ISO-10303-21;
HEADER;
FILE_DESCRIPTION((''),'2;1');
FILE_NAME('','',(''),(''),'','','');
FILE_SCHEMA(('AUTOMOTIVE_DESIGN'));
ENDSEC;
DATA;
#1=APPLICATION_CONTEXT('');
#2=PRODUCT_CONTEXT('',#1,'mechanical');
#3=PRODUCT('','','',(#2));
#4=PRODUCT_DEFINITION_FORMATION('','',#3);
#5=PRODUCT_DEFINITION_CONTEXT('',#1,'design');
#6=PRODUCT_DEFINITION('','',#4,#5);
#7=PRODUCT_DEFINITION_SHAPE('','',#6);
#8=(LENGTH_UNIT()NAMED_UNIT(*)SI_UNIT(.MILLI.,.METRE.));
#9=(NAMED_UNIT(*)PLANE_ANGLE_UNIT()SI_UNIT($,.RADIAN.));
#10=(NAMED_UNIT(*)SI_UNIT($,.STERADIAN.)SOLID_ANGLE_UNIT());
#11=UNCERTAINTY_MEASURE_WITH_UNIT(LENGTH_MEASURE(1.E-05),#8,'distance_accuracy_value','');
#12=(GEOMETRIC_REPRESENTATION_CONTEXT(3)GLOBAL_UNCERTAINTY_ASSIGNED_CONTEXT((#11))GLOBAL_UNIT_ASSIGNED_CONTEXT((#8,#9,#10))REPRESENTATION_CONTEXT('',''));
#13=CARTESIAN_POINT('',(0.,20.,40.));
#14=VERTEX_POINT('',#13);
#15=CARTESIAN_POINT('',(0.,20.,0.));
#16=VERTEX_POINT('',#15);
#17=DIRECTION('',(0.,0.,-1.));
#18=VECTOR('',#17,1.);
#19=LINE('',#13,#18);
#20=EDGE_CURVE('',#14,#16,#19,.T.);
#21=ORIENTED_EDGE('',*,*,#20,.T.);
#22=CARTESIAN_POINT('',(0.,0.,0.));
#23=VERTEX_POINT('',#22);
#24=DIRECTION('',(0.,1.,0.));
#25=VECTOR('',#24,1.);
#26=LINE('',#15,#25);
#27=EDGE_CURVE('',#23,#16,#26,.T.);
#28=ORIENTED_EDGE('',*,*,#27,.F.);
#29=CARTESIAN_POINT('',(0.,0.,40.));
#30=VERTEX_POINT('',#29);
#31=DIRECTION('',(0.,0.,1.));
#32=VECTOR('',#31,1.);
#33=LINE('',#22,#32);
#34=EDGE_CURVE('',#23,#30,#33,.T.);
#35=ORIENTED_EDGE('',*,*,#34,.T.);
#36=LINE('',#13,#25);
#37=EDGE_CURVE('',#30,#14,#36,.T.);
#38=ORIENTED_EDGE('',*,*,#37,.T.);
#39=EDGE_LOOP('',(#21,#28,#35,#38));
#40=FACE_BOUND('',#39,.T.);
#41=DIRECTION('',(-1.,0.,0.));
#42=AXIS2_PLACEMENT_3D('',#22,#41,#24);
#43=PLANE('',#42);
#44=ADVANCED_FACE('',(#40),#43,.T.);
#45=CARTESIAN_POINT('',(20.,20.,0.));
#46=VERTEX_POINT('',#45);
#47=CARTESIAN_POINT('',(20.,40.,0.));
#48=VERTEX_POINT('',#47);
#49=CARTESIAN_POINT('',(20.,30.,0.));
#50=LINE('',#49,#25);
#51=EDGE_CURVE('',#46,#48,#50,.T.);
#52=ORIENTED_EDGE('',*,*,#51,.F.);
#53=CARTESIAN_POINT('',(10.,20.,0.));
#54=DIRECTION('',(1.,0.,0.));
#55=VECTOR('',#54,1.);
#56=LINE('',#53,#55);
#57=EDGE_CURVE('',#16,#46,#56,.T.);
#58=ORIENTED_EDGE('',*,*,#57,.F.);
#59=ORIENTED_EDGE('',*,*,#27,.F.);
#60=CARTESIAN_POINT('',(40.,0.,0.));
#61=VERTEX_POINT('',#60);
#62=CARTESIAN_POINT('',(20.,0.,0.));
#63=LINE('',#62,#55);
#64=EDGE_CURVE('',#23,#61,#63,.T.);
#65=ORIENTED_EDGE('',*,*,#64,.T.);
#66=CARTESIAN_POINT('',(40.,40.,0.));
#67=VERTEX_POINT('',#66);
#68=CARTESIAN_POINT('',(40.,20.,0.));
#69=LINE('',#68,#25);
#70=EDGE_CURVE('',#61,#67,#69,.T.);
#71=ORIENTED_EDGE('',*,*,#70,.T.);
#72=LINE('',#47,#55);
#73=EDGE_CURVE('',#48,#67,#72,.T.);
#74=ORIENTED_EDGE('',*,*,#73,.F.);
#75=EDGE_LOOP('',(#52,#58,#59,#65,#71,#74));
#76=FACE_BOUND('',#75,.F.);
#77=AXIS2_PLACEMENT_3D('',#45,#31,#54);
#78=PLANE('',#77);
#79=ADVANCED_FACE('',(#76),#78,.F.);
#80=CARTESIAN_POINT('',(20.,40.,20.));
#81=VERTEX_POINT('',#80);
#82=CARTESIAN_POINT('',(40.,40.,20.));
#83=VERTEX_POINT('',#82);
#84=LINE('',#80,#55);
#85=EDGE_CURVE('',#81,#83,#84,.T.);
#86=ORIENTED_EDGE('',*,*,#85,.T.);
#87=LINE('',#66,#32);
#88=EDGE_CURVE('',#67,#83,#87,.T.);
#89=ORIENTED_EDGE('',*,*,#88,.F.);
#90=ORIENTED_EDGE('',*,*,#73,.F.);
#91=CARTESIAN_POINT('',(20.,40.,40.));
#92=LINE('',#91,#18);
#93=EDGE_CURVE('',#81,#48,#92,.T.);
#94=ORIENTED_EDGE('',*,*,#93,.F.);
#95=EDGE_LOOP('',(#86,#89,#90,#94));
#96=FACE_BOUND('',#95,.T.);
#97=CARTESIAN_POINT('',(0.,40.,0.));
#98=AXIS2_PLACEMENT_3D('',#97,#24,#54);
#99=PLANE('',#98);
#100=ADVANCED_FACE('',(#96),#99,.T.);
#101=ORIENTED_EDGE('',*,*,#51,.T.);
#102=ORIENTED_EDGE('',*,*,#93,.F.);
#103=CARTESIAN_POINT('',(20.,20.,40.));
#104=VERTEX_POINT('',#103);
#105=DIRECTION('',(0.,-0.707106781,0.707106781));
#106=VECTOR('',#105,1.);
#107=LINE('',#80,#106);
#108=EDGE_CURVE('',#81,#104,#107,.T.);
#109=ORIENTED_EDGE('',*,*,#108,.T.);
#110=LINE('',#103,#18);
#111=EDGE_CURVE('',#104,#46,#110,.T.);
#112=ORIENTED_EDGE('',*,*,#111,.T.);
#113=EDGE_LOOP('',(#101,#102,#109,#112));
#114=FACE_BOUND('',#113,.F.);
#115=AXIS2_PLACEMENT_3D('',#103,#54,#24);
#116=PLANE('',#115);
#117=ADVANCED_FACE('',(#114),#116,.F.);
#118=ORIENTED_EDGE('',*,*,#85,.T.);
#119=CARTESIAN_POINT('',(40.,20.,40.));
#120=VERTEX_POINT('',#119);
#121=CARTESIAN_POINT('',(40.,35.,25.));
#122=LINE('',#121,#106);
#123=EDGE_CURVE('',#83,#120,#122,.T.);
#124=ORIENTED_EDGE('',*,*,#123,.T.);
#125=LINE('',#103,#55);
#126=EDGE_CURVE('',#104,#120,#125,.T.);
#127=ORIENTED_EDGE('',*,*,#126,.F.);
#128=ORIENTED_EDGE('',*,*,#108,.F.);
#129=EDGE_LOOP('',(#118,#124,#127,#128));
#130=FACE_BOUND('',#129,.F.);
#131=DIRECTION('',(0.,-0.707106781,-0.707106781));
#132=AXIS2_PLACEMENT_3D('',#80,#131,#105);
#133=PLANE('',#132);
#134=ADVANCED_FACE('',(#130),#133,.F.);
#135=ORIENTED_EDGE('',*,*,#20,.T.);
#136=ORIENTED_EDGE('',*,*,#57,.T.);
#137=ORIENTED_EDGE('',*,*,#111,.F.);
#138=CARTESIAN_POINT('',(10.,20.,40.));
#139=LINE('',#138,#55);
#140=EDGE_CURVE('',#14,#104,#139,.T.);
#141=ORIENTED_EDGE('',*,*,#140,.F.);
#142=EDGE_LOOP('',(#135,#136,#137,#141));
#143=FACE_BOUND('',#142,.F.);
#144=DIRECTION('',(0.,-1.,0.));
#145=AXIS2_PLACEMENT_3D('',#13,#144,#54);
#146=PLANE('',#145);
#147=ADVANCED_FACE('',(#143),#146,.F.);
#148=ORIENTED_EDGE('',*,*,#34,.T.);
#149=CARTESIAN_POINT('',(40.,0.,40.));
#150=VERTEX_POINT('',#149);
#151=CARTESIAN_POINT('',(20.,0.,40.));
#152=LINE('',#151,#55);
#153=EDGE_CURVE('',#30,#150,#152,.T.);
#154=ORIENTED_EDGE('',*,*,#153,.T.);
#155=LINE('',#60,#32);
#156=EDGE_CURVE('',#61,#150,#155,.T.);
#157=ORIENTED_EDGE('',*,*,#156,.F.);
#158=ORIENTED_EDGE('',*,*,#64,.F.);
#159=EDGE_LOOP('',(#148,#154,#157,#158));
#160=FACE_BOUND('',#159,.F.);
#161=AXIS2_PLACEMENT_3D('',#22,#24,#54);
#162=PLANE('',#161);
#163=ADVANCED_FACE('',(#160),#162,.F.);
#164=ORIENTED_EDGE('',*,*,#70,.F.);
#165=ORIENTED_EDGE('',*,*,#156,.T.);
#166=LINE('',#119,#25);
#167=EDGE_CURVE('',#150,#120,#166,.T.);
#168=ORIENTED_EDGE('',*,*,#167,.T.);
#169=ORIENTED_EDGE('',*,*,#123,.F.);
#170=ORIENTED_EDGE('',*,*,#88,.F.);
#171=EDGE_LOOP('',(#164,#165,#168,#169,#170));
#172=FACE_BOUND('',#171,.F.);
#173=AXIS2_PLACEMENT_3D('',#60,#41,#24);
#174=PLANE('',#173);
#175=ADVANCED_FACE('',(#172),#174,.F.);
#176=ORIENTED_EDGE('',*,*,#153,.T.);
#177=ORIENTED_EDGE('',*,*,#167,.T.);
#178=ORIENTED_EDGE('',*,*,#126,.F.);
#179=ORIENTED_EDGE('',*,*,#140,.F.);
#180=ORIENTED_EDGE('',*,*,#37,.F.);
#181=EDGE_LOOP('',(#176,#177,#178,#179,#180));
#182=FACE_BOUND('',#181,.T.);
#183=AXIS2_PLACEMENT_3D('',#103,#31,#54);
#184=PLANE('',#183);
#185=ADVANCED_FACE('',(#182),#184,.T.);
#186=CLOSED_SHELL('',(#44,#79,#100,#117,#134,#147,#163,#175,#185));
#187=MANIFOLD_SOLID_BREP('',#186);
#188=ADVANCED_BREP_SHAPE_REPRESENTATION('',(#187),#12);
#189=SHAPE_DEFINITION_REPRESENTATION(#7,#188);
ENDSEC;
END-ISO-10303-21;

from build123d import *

# Parameters (mm, degrees)
SKETCH1_W           = 40
SKETCH1_H           = 40
BOSS_EXTRUDE1_DEPTH = 40
SKETCH2_W           = 20
SKETCH2_H           = 20
CUT_EXTRUDE1_DEPTH  = 40
CUT_EXTRUDE2_DEPTH  = 40


with BuildPart() as part:
    # Sketch1 → Boss-Extrude1 (new body)
    with BuildSketch(Plane.XY):
        with Locations((20, 20)):
            Rectangle(SKETCH1_W, SKETCH1_H)
    extrude(amount=BOSS_EXTRUDE1_DEPTH)

    # Sketch2 → Cut-Extrude1 (cut)
    with BuildSketch(Plane.XY.offset(40)):
        with Locations((10, 30)):
            Rectangle(SKETCH2_W, SKETCH2_H)
    extrude(amount=-CUT_EXTRUDE1_DEPTH, mode=Mode.SUBTRACT)

    # Sketch3 → Cut-Extrude2 (cut)
    with BuildSketch(Plane.ZY.offset(-20)):
        Polygon((20, 40), (40, 20), (40, 40), align=None)
    extrude(amount=-CUT_EXTRUDE2_DEPTH, mode=Mode.SUBTRACT)


solid = part.part
